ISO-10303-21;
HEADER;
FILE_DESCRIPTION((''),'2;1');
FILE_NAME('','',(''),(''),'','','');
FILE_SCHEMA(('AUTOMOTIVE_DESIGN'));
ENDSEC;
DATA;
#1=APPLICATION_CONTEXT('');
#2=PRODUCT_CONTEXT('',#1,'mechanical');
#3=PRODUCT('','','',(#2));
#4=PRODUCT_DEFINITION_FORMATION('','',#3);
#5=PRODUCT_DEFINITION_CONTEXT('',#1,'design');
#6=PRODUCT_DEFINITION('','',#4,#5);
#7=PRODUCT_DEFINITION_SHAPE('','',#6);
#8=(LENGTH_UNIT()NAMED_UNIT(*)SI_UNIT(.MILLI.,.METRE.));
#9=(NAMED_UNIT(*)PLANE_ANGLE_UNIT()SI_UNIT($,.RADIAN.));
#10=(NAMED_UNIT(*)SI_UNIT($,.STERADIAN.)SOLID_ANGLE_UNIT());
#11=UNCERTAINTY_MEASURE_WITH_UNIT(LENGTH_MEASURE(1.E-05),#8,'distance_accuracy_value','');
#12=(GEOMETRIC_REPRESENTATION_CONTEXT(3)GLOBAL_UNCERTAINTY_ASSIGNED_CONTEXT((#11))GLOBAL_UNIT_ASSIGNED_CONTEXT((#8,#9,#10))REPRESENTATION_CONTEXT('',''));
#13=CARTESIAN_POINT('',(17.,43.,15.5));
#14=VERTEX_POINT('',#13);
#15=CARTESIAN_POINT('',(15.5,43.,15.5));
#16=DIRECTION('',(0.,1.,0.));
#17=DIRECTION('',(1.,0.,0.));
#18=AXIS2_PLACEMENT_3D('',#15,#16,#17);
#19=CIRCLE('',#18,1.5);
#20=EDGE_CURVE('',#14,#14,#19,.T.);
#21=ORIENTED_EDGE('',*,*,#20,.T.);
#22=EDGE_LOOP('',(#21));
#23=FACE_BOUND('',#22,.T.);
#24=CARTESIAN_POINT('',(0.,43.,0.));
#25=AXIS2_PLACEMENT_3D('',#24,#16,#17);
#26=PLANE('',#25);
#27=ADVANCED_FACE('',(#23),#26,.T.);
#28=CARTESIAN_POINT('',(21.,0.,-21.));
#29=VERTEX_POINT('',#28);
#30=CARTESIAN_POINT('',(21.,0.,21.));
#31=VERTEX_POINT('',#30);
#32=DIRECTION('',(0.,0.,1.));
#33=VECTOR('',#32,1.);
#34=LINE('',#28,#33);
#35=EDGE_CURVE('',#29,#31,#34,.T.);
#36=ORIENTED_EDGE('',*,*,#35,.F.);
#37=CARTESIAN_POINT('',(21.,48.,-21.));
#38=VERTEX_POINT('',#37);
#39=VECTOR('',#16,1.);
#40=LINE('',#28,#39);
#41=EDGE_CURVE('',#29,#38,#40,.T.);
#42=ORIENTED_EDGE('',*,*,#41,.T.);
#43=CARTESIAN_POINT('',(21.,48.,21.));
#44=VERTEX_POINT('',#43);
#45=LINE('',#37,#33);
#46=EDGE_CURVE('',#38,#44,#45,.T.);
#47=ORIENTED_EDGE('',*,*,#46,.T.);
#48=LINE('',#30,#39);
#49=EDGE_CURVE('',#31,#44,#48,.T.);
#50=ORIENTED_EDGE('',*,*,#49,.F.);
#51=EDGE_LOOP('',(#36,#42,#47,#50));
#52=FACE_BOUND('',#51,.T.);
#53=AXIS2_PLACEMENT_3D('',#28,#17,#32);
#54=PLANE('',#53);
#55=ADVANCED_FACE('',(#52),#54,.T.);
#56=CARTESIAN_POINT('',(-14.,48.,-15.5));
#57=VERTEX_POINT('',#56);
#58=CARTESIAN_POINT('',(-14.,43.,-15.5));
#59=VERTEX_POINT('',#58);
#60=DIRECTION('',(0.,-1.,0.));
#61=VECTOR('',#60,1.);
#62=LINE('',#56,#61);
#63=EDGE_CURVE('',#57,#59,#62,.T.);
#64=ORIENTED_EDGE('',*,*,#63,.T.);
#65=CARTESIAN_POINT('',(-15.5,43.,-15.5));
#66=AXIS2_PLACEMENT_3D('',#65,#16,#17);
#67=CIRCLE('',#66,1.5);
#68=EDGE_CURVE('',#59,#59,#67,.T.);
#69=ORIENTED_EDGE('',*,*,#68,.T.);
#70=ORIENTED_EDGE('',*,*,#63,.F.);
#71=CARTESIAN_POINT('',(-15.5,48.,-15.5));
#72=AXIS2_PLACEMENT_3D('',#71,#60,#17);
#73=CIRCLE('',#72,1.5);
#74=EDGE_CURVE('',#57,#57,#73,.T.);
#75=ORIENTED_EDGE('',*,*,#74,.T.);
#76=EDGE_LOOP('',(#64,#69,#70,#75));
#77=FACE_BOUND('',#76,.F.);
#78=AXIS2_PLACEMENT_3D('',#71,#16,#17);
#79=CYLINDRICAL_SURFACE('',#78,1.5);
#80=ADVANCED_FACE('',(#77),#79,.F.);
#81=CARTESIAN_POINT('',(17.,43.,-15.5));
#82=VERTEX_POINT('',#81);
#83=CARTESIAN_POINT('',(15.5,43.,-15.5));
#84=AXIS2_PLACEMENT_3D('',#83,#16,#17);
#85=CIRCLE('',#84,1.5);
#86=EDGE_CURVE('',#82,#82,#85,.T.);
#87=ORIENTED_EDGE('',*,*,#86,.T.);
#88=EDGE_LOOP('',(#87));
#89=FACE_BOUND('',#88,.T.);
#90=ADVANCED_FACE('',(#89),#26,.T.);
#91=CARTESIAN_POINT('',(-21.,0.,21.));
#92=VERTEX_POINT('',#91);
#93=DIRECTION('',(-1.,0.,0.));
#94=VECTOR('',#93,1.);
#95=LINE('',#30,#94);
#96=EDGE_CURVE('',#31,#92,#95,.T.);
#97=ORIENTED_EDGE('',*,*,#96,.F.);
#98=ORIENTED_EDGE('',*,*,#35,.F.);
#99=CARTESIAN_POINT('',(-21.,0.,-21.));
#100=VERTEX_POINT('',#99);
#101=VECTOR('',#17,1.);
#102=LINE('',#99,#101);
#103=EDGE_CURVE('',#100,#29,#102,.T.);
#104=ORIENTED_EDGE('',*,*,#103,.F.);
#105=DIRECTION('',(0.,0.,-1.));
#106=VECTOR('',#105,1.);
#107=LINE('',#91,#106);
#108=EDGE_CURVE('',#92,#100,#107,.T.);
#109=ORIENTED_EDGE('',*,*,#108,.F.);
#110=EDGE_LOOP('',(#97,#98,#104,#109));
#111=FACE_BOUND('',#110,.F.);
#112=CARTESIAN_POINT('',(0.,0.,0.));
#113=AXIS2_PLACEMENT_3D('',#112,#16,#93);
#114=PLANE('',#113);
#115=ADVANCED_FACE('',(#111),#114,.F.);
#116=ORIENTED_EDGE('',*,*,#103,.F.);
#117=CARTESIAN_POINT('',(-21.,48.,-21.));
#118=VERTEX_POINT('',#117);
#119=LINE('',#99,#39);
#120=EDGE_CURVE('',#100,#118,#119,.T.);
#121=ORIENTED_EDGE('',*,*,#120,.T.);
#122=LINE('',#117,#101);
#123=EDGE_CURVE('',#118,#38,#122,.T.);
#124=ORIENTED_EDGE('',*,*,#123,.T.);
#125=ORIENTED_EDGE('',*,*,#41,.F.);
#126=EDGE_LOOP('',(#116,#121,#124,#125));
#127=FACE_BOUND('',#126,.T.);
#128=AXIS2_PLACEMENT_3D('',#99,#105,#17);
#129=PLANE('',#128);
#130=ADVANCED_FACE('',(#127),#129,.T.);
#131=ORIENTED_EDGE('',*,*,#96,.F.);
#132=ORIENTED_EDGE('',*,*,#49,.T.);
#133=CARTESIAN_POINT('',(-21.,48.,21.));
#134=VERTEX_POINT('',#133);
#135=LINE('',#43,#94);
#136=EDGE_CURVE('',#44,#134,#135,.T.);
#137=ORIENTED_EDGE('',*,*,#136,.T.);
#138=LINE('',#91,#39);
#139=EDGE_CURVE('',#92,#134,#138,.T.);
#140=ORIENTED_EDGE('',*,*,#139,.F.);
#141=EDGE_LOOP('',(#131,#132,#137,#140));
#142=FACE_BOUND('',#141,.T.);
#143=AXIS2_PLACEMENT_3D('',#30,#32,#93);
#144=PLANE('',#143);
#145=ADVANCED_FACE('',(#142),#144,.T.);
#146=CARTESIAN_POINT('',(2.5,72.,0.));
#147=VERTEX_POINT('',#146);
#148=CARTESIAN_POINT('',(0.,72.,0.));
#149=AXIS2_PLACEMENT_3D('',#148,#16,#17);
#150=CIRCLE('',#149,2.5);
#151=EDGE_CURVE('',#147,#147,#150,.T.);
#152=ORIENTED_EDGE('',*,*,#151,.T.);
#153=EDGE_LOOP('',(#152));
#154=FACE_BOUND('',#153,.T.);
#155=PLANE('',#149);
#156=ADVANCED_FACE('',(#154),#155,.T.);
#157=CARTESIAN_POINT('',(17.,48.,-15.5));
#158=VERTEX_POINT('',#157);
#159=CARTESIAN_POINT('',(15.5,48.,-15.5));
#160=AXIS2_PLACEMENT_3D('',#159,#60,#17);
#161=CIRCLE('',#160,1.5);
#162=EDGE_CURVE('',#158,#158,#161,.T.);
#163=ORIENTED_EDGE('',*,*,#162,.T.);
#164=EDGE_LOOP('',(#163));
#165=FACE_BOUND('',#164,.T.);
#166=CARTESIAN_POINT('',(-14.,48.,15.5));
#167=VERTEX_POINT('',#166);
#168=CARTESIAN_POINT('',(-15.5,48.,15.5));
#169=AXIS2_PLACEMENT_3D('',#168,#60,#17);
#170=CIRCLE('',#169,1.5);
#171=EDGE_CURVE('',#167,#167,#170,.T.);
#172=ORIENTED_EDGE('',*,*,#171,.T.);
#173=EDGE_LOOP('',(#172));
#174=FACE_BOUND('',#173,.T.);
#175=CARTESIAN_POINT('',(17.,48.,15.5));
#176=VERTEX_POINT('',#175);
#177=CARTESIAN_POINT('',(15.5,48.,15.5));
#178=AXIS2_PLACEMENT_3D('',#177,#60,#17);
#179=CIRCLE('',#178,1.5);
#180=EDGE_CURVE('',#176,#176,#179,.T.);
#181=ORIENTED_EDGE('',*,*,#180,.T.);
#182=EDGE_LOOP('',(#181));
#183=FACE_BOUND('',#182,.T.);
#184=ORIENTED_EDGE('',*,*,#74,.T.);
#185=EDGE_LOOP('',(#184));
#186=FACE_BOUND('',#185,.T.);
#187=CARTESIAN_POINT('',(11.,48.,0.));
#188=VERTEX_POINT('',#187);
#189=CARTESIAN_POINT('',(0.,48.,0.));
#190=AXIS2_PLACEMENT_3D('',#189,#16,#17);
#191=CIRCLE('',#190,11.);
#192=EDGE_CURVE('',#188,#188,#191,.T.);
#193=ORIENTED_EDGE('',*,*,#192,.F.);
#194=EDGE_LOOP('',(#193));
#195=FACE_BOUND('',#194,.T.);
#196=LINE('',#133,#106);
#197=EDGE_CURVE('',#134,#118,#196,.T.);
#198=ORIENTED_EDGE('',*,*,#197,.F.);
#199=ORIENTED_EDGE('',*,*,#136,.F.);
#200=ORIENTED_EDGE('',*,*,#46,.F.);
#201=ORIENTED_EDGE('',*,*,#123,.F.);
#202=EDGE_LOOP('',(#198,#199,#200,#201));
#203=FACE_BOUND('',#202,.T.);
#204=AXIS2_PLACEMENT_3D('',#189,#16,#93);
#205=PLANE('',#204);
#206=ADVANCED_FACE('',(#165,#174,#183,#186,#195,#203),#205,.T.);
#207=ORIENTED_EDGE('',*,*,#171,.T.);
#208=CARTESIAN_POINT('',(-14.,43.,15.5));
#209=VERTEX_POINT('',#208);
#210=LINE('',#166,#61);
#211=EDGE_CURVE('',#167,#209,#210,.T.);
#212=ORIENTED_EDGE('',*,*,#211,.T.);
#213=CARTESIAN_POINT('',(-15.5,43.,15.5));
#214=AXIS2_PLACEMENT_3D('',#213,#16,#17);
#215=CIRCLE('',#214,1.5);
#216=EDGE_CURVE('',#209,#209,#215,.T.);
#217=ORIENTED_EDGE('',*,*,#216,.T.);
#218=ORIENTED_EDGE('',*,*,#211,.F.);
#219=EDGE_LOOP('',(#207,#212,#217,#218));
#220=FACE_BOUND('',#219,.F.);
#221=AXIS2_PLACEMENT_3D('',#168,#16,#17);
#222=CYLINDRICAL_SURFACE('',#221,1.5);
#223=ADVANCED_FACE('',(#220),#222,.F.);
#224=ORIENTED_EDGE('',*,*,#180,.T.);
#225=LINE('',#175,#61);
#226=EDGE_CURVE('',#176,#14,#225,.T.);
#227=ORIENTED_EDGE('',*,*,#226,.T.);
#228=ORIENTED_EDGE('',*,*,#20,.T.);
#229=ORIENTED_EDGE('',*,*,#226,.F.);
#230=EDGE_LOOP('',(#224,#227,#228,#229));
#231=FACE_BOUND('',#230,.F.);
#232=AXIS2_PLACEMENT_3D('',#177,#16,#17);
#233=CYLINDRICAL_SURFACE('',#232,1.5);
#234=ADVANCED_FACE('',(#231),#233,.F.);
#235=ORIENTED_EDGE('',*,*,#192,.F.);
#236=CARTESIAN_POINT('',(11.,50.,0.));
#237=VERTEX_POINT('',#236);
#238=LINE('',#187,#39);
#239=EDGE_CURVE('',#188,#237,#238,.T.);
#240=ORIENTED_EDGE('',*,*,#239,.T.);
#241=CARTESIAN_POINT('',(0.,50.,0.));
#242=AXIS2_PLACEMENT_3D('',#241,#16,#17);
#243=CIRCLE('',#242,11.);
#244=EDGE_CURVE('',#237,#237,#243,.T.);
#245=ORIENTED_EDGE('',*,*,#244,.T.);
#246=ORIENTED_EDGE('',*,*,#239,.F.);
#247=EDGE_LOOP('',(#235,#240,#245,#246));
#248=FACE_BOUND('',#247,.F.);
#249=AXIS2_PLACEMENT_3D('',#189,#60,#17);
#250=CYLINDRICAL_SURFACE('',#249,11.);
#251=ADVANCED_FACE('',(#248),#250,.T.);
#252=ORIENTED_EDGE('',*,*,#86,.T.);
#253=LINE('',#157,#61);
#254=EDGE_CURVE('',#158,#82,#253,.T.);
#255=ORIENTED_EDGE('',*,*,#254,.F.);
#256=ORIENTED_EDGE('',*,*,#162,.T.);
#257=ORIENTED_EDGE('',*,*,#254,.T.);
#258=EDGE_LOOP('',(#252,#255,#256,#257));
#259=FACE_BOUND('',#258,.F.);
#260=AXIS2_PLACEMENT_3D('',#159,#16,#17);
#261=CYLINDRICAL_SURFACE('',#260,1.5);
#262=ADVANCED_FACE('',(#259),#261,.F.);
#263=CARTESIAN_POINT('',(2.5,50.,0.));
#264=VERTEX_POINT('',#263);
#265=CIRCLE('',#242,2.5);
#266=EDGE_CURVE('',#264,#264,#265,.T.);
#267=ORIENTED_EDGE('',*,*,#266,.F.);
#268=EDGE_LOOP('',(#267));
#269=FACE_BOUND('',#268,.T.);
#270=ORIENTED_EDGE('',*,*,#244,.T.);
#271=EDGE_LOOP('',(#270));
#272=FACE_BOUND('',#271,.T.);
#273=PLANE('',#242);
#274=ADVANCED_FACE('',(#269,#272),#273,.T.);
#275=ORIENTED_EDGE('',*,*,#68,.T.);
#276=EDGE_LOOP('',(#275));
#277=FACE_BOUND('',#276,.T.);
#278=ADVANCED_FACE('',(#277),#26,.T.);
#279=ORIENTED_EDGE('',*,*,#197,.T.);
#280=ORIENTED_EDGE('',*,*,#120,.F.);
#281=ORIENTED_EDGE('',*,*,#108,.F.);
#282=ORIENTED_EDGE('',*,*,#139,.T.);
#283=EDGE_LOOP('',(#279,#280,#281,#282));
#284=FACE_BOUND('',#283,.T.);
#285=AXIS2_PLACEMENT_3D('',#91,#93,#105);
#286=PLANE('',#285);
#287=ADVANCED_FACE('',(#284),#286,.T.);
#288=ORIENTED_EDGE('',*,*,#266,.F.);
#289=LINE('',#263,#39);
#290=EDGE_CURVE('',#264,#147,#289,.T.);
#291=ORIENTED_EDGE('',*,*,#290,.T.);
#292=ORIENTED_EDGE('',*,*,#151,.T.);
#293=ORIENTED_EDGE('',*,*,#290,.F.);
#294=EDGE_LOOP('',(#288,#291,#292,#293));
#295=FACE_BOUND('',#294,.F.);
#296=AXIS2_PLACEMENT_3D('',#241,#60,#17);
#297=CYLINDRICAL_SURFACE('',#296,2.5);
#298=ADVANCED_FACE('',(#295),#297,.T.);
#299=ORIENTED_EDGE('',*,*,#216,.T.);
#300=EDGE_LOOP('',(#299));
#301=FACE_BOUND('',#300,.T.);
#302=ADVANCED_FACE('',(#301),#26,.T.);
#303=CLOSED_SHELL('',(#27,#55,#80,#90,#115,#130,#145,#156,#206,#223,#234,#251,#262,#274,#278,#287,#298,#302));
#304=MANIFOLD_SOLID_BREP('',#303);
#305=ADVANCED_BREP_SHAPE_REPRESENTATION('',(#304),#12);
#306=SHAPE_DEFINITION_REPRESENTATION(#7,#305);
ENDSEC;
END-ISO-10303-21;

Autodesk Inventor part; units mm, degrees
ref_plane "YZ Plane" through (0, 0, 0) normal (1, 0, 0) x (0, 1, 0)
ref_plane "XZ Plane" through (0, 0, 0) normal (0, 1, 0) x (-1, 0, 0)
ref_plane "XY Plane" through (0, 0, 0) normal (0, 0, 1) x (1, 0, 0)
sketch "Sketch1" plane through (0, 0, 0) normal (0, 1, 0) x (-1, 0, 0)
  line L0 (-21, 21) -> (21, 21)
  line L1 (21, 21) -> (21, -21)
  line L2 (21, -21) -> (-21, -21)
  line L3 (-21, -21) -> (-21, 21)
  line L4 (-21, 21) -> (21, -21) construction
  line L5 (21, 21) -> (-21, -21) construction
  point P0 (0, 0)
  dimension "d0" = 42
  dimension "d1" = 42
extrude "Extrusion1" add sketch "Sketch1" along normal blind 48
sketch "Sketch2" plane through (0, 48, 0) normal (0, 1, 0) x (1, 0, 0)
  line L0 (21, 21) -> (-21, 21) projected
  line L1 (-21, 21) -> (-21, -21) projected
  line L2 (-21, -21) -> (21, -21) projected
  line L3 (21, -21) -> (21, 21) projected
  circle A0 centre (0, 0) radius 11
  dimension "d4" = 22
extrude "Extrusion2" add sketch "Sketch2" along normal blind 2 contours A0
sketch "Sketch3" plane through (0, 50, 0) normal (0, 1, 0) x (1, 0, 0)
  circle A0 centre (0, 0) radius 2.5
  dimension "d7" = 5
extrude "Extrusion3" add sketch "Sketch3" along normal blind 22
sketch "Sketch4" plane through (0, 48, 0) normal (0, 1, 0) x (1, 0, 0)
  circle A0 centre (0, 0) radius 2.5 projected
  circle A1 centre (0, 0) radius 2.5 projected
  circle A2 centre (0, 0) radius 11 projected
  line L0 (15.5, -15.5) -> (-15.5, -15.5)
  line L1 (-15.5, -15.5) -> (-15.5, 15.5)
  line L2 (-15.5, 15.5) -> (15.5, 15.5)
  line L3 (15.5, 15.5) -> (15.5, -15.5)
  line L4 (15.5, -15.5) -> (-15.5, 15.5) construction
  line L5 (-15.5, -15.5) -> (15.5, 15.5) construction
  circle A3 centre (-15.5, 15.5) radius 1.5
  circle A4 centre (-15.5, -15.5) radius 1.5
  circle A5 centre (15.5, -15.5) radius 1.5
  circle A6 centre (15.5, 15.5) radius 1.5
  dimension "d10" = 31
  dimension "d11" = 31
  dimension "d12" = 3
  dimension "d15" = 360
extrude "Extrusion4" cut sketch "Sketch4" against normal blind 5 contours A4 L1 L0 | L0 L1 A4 | A5 L3 L0 | L0 L3 A5 | A3 L2 L1 | L1 L2 A3 | A6 L2 L3 | L3 L2 A6
properties part number "Stepper"
